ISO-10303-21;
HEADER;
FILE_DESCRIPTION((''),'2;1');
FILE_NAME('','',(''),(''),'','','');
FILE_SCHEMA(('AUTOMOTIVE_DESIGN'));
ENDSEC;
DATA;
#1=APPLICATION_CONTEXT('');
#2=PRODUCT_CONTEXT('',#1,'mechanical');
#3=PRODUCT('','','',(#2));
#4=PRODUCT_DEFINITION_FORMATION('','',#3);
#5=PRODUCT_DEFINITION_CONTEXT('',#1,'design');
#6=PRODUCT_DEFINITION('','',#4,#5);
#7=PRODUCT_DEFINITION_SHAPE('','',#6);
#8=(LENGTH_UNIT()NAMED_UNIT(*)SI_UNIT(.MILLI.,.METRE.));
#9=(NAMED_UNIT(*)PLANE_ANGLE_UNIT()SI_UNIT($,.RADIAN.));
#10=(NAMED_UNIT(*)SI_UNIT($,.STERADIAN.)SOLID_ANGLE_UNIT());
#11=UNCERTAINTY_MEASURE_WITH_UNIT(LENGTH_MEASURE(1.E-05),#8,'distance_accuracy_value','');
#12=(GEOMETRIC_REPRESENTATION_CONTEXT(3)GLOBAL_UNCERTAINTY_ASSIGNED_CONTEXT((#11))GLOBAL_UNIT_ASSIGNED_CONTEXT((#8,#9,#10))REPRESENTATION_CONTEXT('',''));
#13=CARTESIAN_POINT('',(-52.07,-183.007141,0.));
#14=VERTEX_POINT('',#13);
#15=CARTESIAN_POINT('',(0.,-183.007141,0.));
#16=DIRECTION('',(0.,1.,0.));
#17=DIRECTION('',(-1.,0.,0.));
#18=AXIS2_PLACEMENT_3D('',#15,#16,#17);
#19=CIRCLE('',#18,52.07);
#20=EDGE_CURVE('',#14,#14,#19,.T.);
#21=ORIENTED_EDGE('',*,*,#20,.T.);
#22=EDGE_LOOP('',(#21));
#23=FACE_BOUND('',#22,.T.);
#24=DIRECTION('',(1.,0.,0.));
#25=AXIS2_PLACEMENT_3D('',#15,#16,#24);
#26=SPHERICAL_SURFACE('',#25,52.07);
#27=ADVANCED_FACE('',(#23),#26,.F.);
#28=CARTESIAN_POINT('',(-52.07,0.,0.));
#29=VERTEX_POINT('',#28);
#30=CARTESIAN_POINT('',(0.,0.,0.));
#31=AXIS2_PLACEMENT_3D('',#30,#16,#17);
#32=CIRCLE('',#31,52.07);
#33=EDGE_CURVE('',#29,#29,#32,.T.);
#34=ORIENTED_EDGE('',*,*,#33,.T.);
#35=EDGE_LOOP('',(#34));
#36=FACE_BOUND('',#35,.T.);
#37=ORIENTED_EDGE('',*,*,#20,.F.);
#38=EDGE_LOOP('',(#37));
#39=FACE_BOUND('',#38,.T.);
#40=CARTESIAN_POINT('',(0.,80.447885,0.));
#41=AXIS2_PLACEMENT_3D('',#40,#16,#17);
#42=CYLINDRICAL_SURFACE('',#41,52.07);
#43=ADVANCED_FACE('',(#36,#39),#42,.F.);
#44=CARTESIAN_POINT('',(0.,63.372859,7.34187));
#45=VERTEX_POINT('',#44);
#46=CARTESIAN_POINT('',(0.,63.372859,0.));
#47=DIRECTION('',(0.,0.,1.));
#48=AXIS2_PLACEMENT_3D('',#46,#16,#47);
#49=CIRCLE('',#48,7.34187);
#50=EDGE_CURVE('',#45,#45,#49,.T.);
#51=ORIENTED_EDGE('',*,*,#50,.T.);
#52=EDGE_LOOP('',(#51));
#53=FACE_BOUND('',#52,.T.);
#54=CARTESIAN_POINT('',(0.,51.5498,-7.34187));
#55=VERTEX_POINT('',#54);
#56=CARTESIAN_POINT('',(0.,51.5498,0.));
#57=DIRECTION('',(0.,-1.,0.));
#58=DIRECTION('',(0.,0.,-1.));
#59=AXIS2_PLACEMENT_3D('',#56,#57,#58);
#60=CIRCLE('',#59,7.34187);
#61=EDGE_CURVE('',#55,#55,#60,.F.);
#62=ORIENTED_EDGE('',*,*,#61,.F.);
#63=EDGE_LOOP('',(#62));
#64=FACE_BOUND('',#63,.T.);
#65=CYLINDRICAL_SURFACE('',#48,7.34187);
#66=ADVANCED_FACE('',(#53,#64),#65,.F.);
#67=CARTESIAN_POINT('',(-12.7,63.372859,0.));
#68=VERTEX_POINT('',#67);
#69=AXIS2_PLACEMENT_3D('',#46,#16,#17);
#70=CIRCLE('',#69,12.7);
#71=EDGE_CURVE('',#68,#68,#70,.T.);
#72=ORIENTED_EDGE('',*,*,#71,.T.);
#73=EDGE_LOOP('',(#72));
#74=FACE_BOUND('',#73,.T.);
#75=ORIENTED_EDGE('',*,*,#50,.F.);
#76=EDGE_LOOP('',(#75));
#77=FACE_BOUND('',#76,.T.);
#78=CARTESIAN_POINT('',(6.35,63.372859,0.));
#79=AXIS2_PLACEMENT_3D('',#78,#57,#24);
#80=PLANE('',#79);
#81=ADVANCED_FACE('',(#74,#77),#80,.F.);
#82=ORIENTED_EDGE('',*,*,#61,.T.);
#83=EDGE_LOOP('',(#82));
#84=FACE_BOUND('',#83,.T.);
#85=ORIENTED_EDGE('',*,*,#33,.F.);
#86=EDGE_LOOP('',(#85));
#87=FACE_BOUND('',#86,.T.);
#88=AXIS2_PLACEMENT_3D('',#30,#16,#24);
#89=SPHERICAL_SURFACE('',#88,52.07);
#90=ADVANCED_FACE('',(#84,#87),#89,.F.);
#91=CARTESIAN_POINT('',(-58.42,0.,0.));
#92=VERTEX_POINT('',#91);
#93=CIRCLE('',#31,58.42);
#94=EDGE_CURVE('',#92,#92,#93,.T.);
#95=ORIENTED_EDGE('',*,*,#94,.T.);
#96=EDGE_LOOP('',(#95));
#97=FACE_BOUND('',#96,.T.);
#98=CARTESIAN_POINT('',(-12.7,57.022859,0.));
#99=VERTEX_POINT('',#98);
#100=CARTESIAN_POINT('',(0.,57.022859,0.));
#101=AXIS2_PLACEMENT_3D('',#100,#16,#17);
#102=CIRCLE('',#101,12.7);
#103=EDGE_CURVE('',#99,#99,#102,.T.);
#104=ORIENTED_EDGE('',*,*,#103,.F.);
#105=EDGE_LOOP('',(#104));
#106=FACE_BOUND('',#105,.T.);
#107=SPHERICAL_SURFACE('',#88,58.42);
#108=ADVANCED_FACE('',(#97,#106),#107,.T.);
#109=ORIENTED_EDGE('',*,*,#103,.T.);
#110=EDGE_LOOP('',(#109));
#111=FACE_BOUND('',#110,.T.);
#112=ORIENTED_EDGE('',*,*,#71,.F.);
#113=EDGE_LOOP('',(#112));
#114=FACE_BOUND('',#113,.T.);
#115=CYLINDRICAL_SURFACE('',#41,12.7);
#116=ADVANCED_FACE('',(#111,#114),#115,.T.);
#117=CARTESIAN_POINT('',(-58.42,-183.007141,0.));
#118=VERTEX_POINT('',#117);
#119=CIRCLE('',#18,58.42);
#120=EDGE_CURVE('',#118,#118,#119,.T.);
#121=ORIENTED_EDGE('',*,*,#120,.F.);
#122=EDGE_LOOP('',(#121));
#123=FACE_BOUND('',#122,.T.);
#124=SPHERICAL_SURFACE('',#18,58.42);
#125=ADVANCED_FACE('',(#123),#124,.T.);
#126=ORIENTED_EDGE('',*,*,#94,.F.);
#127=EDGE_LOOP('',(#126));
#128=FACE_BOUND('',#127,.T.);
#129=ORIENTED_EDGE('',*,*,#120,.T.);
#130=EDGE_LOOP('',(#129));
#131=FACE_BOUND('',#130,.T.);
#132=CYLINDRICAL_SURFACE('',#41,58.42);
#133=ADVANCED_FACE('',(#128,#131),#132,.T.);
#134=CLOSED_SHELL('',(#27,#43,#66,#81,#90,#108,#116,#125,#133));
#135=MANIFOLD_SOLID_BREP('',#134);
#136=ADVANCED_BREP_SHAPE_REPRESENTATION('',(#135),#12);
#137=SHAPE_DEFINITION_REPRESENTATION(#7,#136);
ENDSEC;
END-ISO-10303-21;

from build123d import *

# Parameters (mm, degrees)
F_5_8_18_TAPPED_HOLE2_D     = 14.68374
F_5_8_18_TAPPED_HOLE2_DEPTH = 38.862
F_5_8_18_TAPPED_HOLE2_TIP   = 4.411440553


with BuildPart() as part:
    # Sketch4 → Revolve1 (revolve)
    with BuildSketch(Plane.XY):
        with BuildLine():
            Line((12.7, 63.372858574), (12.7, 57.022858574))
            ThreePointArc((12.7, 57.022858574), (45.57867045, 36.544236208), (58.42, 0))
            Line((58.42, 0), (58.42, -183.007141426))
            ThreePointArc((58.42, -183.007141426), (41.309178157, -224.316319582), (0, -241.427141426))
            Line((0, -241.427141426), (0, -235.077141426))
            ThreePointArc((0, -235.077141426), (36.819050096, -219.826191522), (52.07, -183.007141426))
            Line((52.07, -183.007141426), (52.07, 0))
            ThreePointArc((52.07, 0), (38.999547433, 34.501017376), (6.35, 51.681354471))
            ThreePointArc((6.35, 51.681354471), (4.447999693, 51.87967038), (2.54, 52.008011883))
            Line((2.54, 52.008011883), (2.54, 63.372858574))
            Line((2.54, 63.372858574), (6.35, 63.372858574))
            Line((6.35, 63.372858574), (12.7, 63.372858574))
        make_face()
    revolve(axis=Axis((0, 80.447885323, 0), (0, -1, 0)))

    # 5/8-18 Tapped Hole2
    with Locations(Plane(origin=(0, 63.372858574, 0), x_dir=(1, 0, 0), z_dir=(0, 1, 0))):
        with Locations((0, 0)):
            Hole(F_5_8_18_TAPPED_HOLE2_D / 2, depth=F_5_8_18_TAPPED_HOLE2_DEPTH)
            with Locations((0, 0, -(F_5_8_18_TAPPED_HOLE2_DEPTH + F_5_8_18_TAPPED_HOLE2_TIP / 2))):  # 118° drill point
                Cone(0, F_5_8_18_TAPPED_HOLE2_D / 2, F_5_8_18_TAPPED_HOLE2_TIP, mode=Mode.SUBTRACT)


solid = part.part
